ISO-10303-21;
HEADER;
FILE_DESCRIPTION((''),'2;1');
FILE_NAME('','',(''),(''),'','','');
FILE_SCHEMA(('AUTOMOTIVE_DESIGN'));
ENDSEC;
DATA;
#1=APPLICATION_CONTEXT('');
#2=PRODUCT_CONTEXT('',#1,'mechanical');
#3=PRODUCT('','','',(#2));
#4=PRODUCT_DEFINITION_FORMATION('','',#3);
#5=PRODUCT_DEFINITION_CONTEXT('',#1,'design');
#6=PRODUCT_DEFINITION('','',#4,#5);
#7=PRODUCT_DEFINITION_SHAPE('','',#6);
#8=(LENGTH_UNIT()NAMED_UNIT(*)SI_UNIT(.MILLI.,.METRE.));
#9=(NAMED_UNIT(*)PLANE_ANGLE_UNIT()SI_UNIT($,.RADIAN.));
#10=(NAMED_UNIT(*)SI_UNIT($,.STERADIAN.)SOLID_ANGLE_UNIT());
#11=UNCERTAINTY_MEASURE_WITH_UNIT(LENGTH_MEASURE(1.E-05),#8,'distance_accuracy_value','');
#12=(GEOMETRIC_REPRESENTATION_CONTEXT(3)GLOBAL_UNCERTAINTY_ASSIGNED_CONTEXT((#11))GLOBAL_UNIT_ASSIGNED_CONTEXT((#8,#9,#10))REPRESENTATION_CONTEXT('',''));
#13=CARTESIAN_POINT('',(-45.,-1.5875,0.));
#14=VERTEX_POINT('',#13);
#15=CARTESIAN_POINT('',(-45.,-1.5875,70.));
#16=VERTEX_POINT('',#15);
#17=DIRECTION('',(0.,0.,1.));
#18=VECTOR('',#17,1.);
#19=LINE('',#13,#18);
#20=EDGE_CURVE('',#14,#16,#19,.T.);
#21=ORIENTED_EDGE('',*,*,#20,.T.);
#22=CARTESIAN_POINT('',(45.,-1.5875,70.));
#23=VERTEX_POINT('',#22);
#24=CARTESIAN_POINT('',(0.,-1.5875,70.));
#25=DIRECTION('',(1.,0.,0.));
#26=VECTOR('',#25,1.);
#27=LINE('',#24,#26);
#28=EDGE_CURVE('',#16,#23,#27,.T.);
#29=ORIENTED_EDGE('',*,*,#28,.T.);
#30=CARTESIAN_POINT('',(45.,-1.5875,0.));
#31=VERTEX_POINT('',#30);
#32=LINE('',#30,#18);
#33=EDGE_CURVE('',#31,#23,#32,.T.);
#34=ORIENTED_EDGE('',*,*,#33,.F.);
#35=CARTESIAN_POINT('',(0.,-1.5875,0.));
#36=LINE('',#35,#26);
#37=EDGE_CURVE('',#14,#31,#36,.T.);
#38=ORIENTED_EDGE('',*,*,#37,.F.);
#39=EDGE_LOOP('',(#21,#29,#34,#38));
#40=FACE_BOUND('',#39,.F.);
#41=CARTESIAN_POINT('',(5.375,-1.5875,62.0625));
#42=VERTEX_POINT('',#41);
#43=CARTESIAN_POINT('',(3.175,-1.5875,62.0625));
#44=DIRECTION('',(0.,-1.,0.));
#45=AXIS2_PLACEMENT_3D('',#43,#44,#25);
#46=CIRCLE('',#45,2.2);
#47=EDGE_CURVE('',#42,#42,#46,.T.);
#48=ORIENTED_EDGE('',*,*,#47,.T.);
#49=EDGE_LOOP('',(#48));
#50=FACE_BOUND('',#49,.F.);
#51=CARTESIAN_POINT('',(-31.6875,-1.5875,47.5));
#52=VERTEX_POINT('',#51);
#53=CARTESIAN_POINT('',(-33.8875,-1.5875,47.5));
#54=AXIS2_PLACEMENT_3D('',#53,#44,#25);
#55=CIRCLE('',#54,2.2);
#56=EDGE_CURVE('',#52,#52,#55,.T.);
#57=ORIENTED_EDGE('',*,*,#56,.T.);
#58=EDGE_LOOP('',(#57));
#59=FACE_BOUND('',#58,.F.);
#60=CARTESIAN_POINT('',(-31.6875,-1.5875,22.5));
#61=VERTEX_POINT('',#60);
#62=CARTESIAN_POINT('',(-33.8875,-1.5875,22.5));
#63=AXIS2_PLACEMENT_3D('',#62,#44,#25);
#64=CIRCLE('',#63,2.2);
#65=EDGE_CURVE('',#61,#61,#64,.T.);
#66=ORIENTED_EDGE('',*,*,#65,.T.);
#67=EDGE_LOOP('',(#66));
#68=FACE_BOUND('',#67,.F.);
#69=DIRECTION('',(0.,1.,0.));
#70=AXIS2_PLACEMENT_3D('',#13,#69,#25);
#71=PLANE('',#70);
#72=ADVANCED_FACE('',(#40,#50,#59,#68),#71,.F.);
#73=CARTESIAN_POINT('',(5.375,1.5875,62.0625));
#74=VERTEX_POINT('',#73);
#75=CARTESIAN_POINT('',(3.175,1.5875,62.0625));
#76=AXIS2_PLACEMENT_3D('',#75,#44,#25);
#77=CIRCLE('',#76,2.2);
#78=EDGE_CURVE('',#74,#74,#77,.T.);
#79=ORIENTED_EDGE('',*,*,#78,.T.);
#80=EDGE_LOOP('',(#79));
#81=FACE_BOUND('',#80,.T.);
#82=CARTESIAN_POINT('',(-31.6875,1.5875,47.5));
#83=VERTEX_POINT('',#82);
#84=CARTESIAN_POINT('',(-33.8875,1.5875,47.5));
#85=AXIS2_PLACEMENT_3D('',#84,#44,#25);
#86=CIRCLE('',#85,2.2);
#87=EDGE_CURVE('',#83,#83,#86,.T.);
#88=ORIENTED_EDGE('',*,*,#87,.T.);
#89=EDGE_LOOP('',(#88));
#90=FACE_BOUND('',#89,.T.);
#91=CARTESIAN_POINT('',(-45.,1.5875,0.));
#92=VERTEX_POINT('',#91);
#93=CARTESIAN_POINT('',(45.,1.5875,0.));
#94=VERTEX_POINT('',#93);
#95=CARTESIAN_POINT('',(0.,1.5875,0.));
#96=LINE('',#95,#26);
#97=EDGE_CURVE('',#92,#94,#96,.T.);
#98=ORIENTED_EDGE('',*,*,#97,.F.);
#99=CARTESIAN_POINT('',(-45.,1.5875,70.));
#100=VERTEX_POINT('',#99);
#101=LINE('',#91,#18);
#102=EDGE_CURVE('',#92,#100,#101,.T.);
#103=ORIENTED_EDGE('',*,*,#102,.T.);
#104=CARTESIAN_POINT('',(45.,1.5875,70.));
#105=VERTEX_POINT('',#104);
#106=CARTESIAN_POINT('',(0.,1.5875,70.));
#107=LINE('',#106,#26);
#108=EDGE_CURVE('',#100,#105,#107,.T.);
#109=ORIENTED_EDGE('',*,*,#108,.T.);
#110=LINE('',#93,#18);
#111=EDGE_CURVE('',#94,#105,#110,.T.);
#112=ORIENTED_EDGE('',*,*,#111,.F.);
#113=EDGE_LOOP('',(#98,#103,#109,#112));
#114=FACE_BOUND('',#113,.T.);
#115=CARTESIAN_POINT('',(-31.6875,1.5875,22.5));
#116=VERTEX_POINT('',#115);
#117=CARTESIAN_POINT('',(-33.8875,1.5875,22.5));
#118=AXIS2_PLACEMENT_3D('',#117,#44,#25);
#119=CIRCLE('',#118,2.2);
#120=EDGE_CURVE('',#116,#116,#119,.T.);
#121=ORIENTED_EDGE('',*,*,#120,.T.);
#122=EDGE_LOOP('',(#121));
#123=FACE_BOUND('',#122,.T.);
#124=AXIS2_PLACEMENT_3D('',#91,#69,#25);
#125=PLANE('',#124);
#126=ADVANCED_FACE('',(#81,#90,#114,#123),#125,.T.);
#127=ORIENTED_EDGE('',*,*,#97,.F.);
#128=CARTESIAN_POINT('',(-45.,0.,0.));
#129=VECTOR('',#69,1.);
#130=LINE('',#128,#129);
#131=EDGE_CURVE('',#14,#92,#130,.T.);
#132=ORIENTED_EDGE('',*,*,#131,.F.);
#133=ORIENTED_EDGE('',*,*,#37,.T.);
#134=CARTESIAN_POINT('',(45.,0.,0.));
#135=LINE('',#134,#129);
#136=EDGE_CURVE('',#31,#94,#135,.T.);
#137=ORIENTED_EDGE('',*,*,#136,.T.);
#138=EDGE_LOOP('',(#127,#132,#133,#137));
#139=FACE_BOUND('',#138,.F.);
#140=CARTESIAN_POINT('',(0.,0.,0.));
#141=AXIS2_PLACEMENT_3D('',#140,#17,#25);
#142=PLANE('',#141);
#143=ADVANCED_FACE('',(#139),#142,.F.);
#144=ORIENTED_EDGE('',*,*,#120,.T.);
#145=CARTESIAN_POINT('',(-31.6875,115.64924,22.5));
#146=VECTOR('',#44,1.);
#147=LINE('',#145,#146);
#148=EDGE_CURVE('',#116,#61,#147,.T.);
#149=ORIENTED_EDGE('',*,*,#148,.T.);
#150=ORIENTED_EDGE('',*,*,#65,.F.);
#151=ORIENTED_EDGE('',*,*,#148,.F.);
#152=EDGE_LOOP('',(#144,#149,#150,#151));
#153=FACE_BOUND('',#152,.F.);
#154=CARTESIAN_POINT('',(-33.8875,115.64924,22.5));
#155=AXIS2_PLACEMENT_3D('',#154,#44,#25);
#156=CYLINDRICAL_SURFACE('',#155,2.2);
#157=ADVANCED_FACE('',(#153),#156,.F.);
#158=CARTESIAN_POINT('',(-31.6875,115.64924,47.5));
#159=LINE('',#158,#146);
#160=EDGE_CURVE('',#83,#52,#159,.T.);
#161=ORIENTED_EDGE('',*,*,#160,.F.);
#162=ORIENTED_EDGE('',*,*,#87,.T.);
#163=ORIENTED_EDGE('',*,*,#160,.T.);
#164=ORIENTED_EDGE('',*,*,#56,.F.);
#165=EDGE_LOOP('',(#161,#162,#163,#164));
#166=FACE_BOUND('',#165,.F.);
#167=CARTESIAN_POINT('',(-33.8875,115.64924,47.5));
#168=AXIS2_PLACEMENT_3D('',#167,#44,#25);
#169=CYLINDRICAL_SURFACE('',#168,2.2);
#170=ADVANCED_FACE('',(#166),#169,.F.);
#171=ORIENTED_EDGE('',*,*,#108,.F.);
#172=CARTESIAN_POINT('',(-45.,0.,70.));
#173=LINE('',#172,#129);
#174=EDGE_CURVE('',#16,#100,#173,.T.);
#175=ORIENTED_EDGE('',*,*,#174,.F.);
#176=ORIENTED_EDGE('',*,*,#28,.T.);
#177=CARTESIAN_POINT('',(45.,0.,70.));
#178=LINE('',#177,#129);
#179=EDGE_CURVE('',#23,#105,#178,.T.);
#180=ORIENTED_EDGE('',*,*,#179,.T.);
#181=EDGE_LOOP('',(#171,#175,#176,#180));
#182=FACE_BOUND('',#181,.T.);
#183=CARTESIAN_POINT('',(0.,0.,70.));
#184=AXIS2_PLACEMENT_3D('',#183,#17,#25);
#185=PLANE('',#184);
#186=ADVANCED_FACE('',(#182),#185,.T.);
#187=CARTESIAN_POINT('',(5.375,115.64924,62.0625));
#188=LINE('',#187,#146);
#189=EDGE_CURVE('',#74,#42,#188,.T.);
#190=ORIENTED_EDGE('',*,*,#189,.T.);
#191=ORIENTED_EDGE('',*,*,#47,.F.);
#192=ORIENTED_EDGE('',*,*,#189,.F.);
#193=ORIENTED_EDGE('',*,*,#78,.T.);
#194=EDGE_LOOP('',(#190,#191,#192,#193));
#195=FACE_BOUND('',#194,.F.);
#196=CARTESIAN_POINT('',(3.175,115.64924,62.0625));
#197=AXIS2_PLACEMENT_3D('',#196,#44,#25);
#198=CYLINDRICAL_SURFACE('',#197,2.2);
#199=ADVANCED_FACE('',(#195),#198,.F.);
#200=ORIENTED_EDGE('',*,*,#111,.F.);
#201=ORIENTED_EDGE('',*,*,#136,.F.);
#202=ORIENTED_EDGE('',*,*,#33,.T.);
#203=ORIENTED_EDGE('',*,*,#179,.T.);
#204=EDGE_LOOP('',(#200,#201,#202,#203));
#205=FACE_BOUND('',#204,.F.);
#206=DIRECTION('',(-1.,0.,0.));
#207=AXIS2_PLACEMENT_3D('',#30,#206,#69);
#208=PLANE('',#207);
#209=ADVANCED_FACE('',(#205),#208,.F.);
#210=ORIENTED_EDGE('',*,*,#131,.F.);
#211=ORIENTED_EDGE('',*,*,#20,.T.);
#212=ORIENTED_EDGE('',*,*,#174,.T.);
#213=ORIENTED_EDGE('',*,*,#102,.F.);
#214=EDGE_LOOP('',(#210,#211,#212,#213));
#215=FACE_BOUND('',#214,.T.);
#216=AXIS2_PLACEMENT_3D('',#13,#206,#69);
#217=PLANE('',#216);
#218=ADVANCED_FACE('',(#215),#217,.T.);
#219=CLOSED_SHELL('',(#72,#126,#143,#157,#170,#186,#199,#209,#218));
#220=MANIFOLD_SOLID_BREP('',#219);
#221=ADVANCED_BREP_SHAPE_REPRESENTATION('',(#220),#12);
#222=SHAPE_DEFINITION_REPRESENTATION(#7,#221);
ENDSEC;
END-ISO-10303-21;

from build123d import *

# Parameters (mm, degrees)
F0_W     = 90
F0_H     = 3.175
F1_DEPTH = 70
F3_D     = 4.4


with BuildPart() as f1:
    # F0 (on Top) → F1 (new body)
    with BuildSketch(Plane.XY):
        Rectangle(F0_W, F0_H)
    extrude(amount=F1_DEPTH)

    # F3 (through all)
    with Locations(Plane(origin=(0, 1.5875, 0), x_dir=(-1, 0, 0), z_dir=(0, 1, 0))):
        with Locations((33.8875, 22.5), (33.8875, 47.5), (-3.175, 62.0625)):
            Hole(F3_D / 2)


solid = f1.part
